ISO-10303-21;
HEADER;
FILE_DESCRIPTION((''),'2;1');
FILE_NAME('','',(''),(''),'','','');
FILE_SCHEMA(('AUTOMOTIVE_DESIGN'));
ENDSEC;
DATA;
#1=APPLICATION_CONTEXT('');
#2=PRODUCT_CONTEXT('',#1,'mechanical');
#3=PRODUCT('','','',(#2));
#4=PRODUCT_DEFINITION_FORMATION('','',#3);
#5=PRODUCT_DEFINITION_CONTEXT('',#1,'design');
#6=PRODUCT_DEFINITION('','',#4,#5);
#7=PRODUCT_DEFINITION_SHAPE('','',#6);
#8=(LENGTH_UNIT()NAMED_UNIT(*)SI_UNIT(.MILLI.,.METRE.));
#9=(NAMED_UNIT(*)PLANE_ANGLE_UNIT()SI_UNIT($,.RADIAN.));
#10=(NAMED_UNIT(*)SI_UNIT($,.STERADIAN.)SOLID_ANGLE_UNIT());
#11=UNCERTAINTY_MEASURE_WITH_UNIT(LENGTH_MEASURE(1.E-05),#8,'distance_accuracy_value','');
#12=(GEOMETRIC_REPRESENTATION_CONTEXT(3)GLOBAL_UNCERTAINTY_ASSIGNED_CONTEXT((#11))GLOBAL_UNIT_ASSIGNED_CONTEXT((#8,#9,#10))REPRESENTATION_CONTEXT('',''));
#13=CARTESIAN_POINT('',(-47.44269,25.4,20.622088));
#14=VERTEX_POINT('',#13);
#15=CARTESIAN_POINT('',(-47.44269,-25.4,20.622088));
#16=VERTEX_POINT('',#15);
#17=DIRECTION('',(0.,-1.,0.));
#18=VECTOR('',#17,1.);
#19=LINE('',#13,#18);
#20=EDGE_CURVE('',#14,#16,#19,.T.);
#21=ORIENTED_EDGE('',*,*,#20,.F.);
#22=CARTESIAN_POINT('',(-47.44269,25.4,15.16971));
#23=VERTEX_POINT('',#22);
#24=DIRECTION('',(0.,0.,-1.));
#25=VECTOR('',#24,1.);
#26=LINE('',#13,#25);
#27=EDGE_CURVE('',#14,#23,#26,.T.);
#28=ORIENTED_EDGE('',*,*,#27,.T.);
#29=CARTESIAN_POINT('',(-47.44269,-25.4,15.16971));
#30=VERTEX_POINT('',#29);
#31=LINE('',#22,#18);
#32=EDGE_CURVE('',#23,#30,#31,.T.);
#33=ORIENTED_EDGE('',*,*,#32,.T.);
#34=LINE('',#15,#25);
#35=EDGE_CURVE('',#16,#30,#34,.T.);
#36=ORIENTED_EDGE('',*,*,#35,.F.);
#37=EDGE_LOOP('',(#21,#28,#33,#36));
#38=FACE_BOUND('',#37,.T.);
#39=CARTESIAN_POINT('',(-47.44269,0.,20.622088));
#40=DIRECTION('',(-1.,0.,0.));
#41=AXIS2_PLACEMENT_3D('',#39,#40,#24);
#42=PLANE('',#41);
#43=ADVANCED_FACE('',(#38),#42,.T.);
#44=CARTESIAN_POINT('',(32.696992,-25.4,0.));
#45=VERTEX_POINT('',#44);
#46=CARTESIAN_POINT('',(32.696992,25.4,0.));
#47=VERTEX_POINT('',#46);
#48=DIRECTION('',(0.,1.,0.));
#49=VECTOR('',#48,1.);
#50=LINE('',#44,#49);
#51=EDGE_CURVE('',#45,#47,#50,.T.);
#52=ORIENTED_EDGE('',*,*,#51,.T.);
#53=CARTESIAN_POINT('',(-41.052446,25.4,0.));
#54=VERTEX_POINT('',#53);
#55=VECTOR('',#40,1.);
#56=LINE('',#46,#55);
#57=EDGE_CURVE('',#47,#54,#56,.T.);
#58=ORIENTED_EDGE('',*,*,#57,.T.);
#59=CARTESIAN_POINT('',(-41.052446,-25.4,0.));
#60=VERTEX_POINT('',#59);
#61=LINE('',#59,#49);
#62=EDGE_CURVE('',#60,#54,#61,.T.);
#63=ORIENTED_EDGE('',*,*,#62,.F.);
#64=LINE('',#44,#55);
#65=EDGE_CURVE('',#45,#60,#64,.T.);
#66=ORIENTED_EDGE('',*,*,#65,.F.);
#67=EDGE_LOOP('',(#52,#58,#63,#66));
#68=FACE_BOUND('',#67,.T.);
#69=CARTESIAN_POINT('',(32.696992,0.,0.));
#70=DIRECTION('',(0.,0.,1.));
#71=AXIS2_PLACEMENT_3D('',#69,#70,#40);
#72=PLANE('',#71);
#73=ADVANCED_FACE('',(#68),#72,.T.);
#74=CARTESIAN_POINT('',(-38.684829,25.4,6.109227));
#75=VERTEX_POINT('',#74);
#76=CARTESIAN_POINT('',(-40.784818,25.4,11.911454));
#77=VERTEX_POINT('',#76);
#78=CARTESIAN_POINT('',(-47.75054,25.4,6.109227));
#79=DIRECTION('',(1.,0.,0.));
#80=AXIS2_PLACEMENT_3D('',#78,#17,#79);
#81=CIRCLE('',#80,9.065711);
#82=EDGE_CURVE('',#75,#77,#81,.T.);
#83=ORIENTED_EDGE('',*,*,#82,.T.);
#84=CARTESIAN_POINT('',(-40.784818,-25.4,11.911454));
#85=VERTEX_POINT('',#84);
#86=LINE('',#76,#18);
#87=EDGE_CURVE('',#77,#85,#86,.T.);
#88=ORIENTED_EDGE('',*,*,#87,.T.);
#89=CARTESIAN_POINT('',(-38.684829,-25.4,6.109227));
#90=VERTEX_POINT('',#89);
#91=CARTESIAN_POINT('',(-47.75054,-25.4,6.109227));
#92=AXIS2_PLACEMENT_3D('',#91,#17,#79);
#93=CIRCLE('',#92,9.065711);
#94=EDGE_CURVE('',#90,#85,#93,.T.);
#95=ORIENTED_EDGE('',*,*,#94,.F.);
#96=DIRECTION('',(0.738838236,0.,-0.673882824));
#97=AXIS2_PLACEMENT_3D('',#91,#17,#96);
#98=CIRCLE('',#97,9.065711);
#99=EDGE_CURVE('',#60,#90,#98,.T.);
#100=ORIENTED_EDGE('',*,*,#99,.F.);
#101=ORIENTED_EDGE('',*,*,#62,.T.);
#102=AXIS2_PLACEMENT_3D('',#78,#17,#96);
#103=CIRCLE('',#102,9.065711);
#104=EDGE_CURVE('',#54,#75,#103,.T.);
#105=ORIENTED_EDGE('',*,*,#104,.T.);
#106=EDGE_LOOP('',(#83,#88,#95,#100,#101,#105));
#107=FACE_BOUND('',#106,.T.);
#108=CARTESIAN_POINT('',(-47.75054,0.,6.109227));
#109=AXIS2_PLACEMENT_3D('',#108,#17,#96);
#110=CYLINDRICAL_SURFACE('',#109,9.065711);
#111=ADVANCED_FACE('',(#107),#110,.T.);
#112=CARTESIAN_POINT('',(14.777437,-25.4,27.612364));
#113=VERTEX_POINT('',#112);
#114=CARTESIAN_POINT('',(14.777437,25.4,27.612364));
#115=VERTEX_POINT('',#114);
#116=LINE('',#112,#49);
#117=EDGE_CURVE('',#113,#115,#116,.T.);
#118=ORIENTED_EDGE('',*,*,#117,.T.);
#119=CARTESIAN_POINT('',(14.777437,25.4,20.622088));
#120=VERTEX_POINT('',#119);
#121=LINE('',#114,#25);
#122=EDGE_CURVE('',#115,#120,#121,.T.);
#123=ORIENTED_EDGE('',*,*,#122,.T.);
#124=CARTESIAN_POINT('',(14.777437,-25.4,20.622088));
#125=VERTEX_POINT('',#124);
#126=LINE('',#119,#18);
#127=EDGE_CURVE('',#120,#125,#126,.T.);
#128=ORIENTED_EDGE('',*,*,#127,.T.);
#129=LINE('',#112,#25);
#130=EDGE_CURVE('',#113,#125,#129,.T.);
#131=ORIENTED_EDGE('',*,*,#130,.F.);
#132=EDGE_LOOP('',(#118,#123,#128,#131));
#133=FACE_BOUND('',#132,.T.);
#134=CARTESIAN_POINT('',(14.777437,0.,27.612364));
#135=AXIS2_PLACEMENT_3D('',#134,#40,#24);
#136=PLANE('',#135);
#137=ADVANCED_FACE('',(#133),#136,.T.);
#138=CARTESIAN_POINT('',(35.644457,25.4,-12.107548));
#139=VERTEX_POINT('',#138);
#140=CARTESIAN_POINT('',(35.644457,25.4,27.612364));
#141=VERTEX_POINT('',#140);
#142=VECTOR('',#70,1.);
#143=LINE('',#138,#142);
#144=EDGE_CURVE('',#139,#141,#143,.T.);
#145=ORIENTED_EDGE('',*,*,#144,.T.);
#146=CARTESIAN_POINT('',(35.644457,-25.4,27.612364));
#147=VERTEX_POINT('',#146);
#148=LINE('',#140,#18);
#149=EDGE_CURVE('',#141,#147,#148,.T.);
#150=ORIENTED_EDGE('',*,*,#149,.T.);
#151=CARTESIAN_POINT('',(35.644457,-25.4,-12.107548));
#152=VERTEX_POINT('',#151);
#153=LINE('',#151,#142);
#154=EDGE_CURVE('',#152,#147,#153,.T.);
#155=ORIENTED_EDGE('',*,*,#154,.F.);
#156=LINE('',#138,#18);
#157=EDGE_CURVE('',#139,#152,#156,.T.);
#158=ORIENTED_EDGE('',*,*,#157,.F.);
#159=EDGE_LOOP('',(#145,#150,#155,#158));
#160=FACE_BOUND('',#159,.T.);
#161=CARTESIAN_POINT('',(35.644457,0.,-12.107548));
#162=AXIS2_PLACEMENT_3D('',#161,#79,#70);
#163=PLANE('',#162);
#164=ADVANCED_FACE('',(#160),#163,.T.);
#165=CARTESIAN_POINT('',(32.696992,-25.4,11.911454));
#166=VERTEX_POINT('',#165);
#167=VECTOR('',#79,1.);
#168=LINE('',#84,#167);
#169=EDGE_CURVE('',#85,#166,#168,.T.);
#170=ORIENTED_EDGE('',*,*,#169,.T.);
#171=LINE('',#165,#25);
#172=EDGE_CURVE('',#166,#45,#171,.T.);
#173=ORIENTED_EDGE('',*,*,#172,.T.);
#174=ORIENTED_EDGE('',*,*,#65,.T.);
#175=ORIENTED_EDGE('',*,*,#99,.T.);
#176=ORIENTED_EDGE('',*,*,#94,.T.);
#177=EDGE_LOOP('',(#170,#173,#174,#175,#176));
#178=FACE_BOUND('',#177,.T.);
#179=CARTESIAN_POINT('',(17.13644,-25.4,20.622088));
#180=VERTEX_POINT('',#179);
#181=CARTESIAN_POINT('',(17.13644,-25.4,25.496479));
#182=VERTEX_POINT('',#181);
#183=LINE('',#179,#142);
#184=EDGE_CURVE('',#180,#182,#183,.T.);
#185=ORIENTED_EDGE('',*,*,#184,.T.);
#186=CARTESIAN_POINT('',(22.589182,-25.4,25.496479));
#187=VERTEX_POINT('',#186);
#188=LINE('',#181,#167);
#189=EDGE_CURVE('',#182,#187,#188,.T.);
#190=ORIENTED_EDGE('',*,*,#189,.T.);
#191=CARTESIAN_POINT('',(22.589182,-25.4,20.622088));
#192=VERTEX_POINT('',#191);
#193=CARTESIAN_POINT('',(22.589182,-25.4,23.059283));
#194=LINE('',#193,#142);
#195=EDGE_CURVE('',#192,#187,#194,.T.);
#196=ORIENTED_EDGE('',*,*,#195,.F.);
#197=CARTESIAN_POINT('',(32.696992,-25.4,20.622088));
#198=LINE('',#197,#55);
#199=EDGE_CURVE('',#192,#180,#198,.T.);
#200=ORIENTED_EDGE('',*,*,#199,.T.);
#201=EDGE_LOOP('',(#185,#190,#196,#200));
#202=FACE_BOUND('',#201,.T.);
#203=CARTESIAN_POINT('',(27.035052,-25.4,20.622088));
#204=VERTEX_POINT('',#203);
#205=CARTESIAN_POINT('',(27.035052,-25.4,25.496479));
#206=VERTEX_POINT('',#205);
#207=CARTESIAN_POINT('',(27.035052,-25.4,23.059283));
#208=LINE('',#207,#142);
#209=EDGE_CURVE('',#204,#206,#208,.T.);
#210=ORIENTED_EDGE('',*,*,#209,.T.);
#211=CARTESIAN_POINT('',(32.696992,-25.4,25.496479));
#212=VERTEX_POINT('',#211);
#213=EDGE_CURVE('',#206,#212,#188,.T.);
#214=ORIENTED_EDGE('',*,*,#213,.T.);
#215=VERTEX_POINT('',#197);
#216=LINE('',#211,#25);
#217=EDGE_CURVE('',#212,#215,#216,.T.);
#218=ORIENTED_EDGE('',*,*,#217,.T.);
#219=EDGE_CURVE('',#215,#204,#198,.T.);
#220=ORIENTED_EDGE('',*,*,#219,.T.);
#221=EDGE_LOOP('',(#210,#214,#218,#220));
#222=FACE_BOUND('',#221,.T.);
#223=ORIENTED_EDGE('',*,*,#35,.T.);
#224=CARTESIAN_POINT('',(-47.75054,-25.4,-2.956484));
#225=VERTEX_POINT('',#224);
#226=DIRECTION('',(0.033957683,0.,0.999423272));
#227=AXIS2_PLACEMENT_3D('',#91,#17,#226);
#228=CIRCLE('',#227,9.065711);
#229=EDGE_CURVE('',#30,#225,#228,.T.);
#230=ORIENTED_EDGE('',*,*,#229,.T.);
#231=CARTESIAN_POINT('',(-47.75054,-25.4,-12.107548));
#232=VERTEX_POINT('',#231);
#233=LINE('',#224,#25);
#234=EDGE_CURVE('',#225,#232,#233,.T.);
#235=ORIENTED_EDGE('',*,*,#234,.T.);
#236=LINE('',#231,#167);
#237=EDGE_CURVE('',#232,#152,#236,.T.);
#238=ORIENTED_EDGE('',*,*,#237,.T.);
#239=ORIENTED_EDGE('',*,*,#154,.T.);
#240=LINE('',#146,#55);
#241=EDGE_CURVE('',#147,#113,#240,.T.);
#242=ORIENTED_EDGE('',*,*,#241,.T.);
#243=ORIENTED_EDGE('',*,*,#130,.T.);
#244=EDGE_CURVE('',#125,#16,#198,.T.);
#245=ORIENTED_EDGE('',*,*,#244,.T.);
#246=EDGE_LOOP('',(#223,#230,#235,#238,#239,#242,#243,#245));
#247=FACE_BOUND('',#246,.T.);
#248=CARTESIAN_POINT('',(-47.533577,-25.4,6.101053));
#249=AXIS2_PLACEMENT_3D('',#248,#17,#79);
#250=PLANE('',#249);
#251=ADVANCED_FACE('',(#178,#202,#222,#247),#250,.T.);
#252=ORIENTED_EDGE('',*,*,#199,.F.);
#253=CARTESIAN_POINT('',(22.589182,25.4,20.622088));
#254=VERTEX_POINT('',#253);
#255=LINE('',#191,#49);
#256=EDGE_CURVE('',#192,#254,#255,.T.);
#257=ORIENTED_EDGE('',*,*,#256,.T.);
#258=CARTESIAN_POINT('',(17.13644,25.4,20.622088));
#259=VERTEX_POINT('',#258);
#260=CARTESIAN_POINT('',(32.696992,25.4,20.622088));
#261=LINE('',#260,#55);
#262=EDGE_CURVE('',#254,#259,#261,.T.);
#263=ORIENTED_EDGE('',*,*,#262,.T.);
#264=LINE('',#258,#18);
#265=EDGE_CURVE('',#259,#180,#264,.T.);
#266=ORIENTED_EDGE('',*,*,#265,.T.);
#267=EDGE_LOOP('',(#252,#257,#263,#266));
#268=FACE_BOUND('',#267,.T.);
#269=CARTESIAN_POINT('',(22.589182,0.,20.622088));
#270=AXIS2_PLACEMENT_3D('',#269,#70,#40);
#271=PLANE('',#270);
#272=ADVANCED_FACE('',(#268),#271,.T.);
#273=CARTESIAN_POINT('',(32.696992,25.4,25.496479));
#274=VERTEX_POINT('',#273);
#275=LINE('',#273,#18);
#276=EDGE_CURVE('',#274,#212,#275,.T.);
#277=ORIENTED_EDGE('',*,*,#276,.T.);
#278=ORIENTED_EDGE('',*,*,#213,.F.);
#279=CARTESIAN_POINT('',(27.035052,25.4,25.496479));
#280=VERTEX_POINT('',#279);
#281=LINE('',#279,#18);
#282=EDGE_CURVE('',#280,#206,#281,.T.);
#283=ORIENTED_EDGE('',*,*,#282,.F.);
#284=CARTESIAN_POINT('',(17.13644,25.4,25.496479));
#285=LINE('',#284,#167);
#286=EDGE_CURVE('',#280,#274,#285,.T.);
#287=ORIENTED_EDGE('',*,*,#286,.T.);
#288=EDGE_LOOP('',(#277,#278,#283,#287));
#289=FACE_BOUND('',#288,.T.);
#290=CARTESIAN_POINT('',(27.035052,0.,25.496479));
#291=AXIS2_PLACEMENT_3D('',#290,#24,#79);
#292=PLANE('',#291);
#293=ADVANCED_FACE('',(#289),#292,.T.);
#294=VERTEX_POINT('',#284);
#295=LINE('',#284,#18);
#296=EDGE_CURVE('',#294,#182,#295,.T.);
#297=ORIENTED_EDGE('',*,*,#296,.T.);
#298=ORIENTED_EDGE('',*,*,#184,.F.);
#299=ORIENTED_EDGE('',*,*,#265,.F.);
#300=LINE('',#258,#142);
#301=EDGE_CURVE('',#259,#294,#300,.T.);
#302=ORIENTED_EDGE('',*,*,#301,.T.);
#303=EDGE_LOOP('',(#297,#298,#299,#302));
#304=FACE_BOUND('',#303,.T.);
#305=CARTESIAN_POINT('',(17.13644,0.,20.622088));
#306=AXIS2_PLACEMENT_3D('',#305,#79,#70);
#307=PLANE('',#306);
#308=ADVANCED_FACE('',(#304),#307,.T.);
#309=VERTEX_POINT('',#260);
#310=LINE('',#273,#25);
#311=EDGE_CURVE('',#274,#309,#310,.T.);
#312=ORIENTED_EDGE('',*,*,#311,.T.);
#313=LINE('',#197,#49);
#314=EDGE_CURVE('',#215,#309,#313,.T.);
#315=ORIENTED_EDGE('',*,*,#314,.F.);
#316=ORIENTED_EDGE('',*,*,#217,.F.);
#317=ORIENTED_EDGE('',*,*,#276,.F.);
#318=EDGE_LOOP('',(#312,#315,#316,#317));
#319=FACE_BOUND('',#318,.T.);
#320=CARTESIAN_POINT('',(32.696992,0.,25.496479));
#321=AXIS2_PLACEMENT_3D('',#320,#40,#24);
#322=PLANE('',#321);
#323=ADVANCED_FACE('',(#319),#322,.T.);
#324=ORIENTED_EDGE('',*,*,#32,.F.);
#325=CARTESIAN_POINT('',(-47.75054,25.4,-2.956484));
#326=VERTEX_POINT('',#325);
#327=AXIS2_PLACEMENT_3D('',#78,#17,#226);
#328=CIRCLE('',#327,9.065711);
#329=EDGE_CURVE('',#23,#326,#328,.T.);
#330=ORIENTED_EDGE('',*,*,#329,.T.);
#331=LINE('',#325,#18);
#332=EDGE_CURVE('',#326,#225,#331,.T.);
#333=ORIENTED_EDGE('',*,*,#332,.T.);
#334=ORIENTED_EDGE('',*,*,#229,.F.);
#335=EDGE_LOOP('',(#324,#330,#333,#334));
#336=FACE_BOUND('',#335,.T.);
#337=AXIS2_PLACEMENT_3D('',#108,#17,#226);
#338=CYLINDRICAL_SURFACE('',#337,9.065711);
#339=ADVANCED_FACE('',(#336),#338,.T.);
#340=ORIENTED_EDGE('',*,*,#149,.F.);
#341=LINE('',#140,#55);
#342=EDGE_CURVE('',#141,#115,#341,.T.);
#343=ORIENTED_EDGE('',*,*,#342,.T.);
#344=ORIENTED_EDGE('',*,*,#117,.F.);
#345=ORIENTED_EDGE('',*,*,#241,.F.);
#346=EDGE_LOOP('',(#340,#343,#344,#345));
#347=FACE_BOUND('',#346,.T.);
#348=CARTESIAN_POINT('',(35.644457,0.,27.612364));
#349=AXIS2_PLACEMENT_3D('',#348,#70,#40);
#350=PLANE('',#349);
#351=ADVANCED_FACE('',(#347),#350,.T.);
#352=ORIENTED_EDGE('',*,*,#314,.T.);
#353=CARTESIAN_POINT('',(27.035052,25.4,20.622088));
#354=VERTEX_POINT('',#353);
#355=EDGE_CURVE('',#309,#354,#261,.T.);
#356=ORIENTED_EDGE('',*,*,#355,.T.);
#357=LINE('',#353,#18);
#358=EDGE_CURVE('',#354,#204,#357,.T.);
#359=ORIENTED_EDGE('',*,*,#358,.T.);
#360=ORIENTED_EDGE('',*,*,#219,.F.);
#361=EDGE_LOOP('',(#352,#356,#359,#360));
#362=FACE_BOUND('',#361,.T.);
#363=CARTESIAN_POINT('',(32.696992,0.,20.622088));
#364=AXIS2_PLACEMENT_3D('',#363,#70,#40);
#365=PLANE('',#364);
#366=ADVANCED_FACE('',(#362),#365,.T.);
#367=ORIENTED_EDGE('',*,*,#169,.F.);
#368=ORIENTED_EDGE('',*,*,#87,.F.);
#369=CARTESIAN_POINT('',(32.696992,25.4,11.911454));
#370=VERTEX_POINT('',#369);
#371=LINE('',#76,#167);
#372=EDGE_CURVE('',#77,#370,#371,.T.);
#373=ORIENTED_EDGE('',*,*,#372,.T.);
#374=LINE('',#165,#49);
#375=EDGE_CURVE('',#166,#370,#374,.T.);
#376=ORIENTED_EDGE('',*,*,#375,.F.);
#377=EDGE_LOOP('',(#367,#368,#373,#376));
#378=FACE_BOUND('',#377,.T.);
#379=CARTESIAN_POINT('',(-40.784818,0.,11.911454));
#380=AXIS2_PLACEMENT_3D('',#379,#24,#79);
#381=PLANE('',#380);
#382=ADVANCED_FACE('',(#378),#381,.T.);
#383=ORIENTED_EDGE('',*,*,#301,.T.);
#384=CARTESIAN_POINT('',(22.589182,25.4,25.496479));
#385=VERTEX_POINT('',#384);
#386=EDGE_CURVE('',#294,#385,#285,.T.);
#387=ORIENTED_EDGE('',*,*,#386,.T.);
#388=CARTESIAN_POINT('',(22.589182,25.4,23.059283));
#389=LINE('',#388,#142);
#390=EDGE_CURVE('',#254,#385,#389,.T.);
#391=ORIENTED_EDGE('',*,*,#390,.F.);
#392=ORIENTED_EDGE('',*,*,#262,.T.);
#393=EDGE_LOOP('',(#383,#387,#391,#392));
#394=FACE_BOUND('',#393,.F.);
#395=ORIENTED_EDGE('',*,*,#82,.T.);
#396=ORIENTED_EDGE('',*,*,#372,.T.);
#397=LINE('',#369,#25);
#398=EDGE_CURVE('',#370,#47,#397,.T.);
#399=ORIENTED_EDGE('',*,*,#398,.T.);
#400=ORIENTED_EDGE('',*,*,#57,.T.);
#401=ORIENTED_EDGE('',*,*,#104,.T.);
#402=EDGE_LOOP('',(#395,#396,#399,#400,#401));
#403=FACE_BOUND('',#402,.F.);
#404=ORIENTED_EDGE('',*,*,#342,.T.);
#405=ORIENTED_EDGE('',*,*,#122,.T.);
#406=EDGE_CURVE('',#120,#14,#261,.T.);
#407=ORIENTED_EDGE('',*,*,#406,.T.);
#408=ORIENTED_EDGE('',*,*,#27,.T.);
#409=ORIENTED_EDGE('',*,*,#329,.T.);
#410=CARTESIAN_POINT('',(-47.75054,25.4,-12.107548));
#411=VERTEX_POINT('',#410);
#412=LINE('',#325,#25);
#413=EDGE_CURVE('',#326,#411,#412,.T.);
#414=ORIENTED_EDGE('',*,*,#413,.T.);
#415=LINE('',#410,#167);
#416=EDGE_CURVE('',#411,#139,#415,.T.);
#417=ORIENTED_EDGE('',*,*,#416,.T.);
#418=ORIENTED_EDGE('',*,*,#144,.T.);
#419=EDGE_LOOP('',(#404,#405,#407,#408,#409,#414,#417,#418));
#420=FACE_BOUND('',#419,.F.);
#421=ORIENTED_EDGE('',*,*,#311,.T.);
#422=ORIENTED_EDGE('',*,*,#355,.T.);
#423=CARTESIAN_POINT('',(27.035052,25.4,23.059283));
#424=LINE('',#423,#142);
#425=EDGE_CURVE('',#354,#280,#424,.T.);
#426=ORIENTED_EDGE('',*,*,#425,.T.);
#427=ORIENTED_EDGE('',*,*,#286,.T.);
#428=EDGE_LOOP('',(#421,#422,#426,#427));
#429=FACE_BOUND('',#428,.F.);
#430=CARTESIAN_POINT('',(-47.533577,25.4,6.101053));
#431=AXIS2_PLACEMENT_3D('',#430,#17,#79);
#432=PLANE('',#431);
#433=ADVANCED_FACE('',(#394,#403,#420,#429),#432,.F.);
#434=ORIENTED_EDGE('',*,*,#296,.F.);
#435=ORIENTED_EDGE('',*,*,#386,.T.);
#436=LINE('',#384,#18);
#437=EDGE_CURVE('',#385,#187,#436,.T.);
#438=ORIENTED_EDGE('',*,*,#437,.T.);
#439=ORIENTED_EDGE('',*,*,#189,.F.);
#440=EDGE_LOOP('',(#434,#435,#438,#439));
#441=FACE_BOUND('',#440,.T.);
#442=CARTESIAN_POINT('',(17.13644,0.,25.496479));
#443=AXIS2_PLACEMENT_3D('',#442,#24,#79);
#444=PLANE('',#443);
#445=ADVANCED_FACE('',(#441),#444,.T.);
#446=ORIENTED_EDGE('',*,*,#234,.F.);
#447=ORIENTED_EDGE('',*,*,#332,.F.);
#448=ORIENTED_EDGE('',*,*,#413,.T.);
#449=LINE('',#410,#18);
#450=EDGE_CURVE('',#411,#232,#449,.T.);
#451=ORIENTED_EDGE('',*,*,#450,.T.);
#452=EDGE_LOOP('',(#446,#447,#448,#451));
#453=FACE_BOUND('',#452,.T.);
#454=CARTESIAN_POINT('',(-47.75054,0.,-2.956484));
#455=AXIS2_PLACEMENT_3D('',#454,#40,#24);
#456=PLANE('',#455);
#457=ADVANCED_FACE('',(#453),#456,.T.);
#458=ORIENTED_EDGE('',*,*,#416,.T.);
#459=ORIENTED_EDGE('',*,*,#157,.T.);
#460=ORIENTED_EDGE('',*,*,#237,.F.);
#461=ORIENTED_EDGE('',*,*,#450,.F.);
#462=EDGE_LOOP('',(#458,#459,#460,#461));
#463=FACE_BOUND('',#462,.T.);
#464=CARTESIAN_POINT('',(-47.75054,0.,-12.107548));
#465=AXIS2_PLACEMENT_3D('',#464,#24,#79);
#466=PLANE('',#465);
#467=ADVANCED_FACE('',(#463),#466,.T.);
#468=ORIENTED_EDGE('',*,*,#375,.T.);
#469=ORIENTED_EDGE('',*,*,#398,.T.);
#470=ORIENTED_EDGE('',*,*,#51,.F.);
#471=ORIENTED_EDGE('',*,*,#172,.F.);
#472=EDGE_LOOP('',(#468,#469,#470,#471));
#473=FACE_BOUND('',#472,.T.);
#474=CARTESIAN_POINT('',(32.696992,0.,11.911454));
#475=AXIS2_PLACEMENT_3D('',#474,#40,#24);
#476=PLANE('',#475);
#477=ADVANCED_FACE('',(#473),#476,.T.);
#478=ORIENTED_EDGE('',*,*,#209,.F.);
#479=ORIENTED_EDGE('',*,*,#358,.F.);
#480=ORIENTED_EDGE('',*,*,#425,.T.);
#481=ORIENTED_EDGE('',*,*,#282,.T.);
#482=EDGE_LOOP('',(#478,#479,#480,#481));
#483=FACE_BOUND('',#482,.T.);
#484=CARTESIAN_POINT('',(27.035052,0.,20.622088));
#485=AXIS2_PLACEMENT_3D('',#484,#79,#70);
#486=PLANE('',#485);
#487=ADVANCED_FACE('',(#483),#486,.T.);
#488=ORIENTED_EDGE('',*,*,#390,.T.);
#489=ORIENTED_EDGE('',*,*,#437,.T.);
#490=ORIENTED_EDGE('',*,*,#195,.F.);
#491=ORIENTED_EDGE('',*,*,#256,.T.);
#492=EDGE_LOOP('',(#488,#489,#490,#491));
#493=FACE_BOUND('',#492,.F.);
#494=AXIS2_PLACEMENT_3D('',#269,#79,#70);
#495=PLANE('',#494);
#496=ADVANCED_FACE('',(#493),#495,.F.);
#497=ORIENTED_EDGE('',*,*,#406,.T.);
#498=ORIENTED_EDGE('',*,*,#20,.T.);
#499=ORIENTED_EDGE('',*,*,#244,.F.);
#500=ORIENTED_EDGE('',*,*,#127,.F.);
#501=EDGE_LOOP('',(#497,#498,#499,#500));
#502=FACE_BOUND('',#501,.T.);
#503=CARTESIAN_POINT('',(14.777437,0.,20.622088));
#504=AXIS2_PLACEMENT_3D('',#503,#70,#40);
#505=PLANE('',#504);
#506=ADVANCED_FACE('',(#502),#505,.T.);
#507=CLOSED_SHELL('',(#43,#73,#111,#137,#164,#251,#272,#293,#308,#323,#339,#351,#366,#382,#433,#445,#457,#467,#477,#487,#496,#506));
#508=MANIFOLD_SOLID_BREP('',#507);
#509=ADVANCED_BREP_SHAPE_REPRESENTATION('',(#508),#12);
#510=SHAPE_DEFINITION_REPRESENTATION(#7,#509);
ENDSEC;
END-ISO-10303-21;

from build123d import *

# Parameters (mm, degrees)
F0_W     = 4.4458694756
F0_H     = 4.8743914813
F1_DEPTH = 25.4


with BuildPart() as f1:
    # F0 (on Front) → F1 (new body, symmetric)
    with BuildSketch(Plane.XZ):
        with BuildLine():
            ThreePointArc((-41.0524461174, 0), (-39.2974311479, 2.8332437221), (-38.6848290323, 6.1092269607))
            ThreePointArc((-38.6848290323, 6.1092269607), (-39.2259773644, 9.1945060899), (-40.7848181578, 11.9114536792))
            Line((-40.7848181578, 11.9114536792), (-47.442689538, 11.9114536792))
            Line((-47.442689538, 11.9114536792), (-47.442689538, 15.1697095529))
            ThreePointArc((-47.442689538, 15.1697095529), (-56.8149439155, 6.2631744286), (-47.7505400777, -2.9564840847))
            Line((-47.7505400777, -2.9564840847), (-47.7505400777, 0))
            Line((-47.7505400777, 0), (-41.0524461174, 0))
        make_face()
        with BuildLine():
            Line((-47.442689538, 11.9114536792), (-40.7848181578, 11.9114536792))
            ThreePointArc((-40.7848181578, 11.9114536792), (-43.7655341912, 14.2521284609), (-47.442689538, 15.1697095529))
            Line((-47.442689538, 15.1697095529), (-47.442689538, 11.9114536792))
        make_face()
        with BuildLine():
            ThreePointArc((-47.442689538, 15.1697095529), (-43.7655341912, 14.2521284609), (-40.7848181578, 11.9114536792))
            Line((-40.7848181578, 11.9114536792), (32.6969921589, 11.9114536792))
            Line((32.6969921589, 11.9114536792), (32.6969921589, 20.6220876426))
            Line((32.6969921589, 20.6220876426), (27.0350519568, 20.6220876426))
            Line((27.0350519568, 20.6220876426), (22.5891824812, 20.6220876426))
            Line((22.5891824812, 20.6220876426), (17.1364396811, 20.6220876426))
            Line((17.1364396811, 20.6220876426), (14.7774368525, 20.6220876426))
            Line((14.7774368525, 20.6220876426), (-47.442689538, 20.6220876426))
            Line((-47.442689538, 20.6220876426), (-47.442689538, 15.1697095529))
        make_face()
        with BuildLine():
            Line((32.6969921589, 0), (-41.0524461174, 0))
            ThreePointArc((-41.0524461174, 0), (-44.0897593944, -2.1844936487), (-47.7505400777, -2.9564840847))
            Line((-47.7505400777, -2.9564840847), (-47.7505400777, -12.1075483039))
            Line((-47.7505400777, -12.1075483039), (32.6969921589, -12.1075483039))
            Line((32.6969921589, -12.1075483039), (32.6969921589, 0))
        make_face()
        with BuildLine():
            ThreePointArc((-47.7505400777, -2.9564840847), (-44.0897593944, -2.1844936487), (-41.0524461174, 0))
            Line((-41.0524461174, 0), (-47.7505400777, 0))
            Line((-47.7505400777, 0), (-47.7505400777, -2.9564840847))
        make_face()
        Polygon((32.6969921589, 20.6220876426), (32.6969921589, 11.9114536792), (32.6969921589, 0), (32.6969921589, -12.1075483039), (35.6444567442, -12.1075483039), (35.6444567442, 25.4964791238), (32.6969921589, 25.4964791238), align=None)
        Polygon((14.7774368525, 27.6123639196), (14.7774368525, 20.6220876426), (17.1364396811, 20.6220876426), (17.1364396811, 25.4964791238), (17.1364396811, 27.6123639196), align=None)
        Polygon((27.0350519568, 25.4964791238), (32.6969921589, 25.4964791238), (35.6444567442, 25.4964791238), (35.6444567442, 27.6123639196), (17.1364396811, 27.6123639196), (17.1364396811, 25.4964791238), (22.5891824812, 25.4964791238), align=None)
        with Locations((24.812117219, 23.0592833832)):
            Rectangle(F0_W, F0_H)
    extrude(amount=F1_DEPTH, both=True)


solid = f1.part
